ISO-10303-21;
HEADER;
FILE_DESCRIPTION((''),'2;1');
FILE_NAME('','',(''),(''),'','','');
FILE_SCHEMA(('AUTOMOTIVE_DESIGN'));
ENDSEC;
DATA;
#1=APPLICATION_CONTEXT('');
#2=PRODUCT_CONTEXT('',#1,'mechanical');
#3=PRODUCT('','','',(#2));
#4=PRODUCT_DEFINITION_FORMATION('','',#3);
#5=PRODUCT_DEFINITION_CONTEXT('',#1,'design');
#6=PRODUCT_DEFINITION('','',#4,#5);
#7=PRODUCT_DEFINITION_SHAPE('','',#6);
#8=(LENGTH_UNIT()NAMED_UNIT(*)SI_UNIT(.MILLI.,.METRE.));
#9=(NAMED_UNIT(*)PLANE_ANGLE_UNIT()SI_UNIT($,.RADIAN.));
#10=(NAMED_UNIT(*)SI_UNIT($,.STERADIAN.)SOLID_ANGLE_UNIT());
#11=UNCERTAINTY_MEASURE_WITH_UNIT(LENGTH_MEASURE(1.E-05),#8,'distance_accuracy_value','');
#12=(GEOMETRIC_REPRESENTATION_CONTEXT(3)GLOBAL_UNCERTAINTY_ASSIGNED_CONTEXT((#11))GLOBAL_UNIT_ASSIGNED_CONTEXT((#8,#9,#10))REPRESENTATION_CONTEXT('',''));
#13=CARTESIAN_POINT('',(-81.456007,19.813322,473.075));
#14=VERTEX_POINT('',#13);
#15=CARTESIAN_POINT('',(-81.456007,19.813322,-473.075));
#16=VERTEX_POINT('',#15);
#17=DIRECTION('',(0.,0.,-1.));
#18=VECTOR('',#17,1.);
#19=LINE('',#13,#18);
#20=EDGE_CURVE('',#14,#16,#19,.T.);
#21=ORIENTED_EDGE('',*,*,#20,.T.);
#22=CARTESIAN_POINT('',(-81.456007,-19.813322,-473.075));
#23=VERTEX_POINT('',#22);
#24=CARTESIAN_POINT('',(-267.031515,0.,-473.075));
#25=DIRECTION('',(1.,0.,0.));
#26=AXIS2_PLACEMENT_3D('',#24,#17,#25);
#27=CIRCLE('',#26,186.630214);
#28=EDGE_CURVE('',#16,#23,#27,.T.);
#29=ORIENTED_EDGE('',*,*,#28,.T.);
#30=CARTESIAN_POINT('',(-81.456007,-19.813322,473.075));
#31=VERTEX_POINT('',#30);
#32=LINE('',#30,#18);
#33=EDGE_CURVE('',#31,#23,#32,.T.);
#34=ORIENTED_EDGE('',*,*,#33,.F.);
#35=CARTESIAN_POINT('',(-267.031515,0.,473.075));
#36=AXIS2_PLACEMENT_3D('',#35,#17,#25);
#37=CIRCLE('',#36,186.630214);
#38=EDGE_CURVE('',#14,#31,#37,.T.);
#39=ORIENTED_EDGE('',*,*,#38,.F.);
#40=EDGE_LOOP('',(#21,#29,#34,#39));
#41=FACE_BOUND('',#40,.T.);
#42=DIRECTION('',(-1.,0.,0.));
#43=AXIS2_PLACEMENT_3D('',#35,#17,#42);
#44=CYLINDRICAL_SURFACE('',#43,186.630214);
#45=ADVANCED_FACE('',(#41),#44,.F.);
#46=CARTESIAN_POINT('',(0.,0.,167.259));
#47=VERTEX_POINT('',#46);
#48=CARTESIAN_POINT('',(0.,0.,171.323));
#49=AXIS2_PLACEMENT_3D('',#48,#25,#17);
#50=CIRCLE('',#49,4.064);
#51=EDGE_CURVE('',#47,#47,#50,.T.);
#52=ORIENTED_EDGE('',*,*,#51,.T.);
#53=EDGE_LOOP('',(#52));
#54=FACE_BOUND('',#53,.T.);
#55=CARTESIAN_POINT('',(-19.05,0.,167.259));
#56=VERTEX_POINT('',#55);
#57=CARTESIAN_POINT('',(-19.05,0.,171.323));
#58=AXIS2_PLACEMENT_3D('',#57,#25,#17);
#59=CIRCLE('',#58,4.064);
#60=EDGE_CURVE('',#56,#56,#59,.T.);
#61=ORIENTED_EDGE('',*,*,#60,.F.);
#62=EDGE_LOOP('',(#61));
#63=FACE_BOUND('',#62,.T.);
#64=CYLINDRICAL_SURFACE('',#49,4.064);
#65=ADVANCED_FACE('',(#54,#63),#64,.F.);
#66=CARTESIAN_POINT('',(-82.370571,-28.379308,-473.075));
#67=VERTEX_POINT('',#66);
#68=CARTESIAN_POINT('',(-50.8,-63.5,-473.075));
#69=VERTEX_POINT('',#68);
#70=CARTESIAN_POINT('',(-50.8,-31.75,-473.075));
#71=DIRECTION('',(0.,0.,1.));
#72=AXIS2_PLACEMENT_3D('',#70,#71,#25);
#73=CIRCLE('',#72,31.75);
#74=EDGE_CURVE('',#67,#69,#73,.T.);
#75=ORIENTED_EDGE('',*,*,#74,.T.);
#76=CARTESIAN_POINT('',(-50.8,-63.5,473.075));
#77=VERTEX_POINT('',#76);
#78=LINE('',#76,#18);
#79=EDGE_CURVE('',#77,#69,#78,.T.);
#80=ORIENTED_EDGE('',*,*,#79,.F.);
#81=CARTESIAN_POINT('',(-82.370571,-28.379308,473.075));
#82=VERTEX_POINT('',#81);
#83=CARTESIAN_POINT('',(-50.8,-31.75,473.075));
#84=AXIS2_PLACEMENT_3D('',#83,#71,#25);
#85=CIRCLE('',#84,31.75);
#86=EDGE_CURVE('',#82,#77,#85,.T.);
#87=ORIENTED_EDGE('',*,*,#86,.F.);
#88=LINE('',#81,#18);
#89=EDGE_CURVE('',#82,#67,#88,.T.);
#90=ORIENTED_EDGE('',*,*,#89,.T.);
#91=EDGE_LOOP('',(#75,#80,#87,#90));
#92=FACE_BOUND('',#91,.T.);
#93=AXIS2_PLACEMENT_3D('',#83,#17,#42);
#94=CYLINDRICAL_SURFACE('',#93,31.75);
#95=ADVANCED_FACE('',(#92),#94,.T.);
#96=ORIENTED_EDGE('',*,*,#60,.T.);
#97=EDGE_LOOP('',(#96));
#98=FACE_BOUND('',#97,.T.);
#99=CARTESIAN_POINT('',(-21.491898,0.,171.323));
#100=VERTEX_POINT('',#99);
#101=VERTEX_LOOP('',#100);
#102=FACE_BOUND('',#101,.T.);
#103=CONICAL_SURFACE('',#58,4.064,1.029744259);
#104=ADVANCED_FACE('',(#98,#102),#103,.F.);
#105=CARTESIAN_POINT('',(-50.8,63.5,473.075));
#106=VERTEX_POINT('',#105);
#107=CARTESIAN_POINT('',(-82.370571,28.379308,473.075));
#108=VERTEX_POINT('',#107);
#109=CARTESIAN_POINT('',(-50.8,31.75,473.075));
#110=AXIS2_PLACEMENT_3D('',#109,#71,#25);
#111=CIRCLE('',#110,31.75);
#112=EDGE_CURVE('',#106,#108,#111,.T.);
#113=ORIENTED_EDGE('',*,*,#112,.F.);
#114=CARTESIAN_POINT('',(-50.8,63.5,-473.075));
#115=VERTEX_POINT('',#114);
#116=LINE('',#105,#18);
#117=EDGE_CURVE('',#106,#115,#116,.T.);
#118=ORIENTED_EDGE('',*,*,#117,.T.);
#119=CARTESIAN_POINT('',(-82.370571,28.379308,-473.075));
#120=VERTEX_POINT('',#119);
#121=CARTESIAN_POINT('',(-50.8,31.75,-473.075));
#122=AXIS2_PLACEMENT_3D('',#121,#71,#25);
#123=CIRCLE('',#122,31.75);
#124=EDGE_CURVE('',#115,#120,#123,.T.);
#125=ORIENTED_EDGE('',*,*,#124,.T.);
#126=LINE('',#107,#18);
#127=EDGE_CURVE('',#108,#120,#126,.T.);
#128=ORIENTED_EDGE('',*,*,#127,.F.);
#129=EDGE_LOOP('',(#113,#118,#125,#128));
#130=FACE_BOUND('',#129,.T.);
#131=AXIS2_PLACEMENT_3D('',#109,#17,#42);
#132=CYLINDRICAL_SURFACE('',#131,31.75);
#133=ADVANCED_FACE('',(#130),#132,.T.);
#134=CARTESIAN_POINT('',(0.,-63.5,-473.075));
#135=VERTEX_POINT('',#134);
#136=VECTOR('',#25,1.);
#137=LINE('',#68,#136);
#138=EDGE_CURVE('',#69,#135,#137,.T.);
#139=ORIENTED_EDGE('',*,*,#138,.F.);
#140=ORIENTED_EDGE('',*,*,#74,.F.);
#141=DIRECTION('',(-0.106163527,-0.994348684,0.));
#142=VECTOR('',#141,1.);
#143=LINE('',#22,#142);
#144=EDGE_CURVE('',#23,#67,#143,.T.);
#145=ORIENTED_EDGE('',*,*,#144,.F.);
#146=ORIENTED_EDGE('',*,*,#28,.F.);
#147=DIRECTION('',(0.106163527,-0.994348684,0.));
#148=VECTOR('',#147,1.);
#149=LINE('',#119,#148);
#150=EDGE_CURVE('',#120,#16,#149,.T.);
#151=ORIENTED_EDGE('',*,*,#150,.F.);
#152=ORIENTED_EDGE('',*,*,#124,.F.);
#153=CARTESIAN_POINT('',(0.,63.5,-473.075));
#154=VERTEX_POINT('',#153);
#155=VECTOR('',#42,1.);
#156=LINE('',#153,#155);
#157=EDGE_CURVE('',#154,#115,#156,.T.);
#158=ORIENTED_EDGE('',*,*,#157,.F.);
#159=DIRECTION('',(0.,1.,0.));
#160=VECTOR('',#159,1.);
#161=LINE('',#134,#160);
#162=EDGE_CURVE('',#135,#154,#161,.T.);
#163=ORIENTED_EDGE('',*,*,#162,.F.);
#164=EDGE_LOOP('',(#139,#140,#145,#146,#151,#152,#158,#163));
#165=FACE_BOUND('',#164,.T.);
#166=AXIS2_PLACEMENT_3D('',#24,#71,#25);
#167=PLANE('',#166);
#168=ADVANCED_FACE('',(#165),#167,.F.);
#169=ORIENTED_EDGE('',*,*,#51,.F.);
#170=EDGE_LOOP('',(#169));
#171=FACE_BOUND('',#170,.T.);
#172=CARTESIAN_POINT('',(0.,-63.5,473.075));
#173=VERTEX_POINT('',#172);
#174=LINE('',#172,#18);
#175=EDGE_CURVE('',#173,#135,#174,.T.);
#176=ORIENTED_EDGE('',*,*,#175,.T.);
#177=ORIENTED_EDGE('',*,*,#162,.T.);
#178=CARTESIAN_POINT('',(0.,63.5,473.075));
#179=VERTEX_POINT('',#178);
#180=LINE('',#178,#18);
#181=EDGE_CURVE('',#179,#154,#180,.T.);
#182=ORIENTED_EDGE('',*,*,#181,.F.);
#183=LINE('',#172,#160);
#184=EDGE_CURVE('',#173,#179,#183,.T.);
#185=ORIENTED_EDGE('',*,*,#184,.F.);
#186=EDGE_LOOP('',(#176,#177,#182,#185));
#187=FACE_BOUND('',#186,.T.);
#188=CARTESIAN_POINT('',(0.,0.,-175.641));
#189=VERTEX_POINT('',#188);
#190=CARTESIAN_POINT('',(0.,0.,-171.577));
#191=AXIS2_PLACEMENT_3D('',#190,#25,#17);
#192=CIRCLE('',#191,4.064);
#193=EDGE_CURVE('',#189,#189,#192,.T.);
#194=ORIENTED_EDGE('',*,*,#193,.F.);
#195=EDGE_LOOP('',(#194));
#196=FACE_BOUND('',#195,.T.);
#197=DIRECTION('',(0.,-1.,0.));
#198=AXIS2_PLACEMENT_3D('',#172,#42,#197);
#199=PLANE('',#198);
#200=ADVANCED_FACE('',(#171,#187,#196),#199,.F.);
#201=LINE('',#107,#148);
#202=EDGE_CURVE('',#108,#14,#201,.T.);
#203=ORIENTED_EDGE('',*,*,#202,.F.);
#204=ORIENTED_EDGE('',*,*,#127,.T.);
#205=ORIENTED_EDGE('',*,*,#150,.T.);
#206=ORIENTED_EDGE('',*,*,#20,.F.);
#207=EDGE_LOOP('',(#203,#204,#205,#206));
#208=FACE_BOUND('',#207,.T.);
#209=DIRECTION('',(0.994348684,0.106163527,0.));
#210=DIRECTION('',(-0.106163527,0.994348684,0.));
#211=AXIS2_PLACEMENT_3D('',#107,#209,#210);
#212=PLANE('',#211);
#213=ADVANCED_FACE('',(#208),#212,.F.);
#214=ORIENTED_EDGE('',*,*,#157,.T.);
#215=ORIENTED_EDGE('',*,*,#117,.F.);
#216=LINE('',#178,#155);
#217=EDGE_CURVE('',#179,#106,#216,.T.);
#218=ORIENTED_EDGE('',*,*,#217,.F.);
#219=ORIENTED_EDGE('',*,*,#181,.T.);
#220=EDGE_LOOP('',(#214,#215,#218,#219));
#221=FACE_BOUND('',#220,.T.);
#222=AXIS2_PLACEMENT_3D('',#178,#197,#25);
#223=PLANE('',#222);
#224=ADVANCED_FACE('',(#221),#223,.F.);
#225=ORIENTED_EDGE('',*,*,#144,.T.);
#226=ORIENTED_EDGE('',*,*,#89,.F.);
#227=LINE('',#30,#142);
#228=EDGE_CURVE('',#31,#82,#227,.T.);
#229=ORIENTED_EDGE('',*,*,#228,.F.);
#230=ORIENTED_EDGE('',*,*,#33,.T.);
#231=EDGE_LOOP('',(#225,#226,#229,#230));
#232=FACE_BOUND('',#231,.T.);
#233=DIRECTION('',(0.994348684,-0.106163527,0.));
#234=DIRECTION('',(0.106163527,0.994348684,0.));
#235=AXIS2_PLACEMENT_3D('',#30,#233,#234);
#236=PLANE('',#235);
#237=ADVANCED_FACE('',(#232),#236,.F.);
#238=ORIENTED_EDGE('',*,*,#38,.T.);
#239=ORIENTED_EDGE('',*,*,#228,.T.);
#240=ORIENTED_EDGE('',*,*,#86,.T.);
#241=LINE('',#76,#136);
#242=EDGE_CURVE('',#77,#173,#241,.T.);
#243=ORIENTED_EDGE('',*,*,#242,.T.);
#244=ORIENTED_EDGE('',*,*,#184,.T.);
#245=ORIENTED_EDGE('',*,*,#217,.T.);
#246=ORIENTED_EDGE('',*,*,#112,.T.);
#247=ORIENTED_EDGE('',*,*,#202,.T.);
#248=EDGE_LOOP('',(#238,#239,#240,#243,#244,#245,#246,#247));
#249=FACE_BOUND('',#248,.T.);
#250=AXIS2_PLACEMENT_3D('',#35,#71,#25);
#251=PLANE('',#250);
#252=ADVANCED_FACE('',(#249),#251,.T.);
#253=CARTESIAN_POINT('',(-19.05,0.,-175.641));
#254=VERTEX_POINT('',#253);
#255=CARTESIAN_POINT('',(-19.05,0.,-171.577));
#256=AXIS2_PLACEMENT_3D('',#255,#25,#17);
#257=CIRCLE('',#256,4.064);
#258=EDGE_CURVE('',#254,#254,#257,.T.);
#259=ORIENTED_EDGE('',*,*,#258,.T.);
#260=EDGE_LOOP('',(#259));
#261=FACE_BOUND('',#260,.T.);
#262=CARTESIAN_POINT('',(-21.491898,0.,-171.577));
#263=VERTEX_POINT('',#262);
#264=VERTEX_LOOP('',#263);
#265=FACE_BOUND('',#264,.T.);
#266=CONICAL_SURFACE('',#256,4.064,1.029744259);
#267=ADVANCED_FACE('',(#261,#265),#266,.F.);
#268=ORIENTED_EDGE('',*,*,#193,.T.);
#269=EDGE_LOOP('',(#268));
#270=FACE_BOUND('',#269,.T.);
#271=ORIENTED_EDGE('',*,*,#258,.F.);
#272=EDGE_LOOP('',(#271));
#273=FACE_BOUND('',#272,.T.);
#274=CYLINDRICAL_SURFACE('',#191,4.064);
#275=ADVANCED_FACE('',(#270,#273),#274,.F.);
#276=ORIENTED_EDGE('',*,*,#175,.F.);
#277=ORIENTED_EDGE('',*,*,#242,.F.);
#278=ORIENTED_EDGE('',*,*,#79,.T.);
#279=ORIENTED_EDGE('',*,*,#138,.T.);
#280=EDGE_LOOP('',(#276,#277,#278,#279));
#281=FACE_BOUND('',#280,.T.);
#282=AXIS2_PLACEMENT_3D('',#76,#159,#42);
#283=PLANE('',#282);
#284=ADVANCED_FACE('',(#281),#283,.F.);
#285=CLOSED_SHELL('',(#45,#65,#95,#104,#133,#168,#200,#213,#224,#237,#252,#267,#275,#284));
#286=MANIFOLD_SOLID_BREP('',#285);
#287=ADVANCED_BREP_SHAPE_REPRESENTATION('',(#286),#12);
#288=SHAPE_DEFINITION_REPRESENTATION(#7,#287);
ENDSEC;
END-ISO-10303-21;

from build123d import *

# Parameters (mm, degrees)
EXTRUDE1_DEPTH               = 473.075
A_0_234_DIAMETER_HOLE1_D     = 8.128
A_0_234_DIAMETER_HOLE1_DEPTH = 19.05
A_0_234_DIAMETER_HOLE1_TIP   = 2.441897556


with BuildPart() as part:
    # Sketch1 → Extrude1 (new, symmetric)
    with BuildSketch(Plane.XY):
        with BuildLine():
            Line((-81.45600692, -19.8133218), (-82.370570719, -28.379308014))
            ThreePointArc((-82.370570719, -28.379308014), (-74.412305802, -52.975492096), (-50.8, -63.5))
            Line((-50.8, -63.5), (0, -63.5))
            Line((0, -63.5), (0, 63.5))
            Line((0, 63.5), (-50.8, 63.5))
            ThreePointArc((-50.8, 63.5), (-74.412305802, 52.975492096), (-82.370570719, 28.379308014))
            Line((-82.370570719, 28.379308014), (-81.45600692, 19.8133218))
            ThreePointArc((-81.45600692, 19.8133218), (-80.401300618, 0), (-81.45600692, -19.8133218))
        make_face()
    extrude(amount=EXTRUDE1_DEPTH, both=True)

    # A (0.234) Diameter Hole1
    with Locations(Plane(origin=(0, 0, 171.323), x_dir=(0, 1, 0), z_dir=(1, 0, 0))):
        with Locations((0, 0), (0, -342.9)):
            Hole(A_0_234_DIAMETER_HOLE1_D / 2, depth=A_0_234_DIAMETER_HOLE1_DEPTH)
            with Locations((0, 0, -(A_0_234_DIAMETER_HOLE1_DEPTH + A_0_234_DIAMETER_HOLE1_TIP / 2))):  # 118° drill point
                Cone(0, A_0_234_DIAMETER_HOLE1_D / 2, A_0_234_DIAMETER_HOLE1_TIP, mode=Mode.SUBTRACT)


solid = part.part
